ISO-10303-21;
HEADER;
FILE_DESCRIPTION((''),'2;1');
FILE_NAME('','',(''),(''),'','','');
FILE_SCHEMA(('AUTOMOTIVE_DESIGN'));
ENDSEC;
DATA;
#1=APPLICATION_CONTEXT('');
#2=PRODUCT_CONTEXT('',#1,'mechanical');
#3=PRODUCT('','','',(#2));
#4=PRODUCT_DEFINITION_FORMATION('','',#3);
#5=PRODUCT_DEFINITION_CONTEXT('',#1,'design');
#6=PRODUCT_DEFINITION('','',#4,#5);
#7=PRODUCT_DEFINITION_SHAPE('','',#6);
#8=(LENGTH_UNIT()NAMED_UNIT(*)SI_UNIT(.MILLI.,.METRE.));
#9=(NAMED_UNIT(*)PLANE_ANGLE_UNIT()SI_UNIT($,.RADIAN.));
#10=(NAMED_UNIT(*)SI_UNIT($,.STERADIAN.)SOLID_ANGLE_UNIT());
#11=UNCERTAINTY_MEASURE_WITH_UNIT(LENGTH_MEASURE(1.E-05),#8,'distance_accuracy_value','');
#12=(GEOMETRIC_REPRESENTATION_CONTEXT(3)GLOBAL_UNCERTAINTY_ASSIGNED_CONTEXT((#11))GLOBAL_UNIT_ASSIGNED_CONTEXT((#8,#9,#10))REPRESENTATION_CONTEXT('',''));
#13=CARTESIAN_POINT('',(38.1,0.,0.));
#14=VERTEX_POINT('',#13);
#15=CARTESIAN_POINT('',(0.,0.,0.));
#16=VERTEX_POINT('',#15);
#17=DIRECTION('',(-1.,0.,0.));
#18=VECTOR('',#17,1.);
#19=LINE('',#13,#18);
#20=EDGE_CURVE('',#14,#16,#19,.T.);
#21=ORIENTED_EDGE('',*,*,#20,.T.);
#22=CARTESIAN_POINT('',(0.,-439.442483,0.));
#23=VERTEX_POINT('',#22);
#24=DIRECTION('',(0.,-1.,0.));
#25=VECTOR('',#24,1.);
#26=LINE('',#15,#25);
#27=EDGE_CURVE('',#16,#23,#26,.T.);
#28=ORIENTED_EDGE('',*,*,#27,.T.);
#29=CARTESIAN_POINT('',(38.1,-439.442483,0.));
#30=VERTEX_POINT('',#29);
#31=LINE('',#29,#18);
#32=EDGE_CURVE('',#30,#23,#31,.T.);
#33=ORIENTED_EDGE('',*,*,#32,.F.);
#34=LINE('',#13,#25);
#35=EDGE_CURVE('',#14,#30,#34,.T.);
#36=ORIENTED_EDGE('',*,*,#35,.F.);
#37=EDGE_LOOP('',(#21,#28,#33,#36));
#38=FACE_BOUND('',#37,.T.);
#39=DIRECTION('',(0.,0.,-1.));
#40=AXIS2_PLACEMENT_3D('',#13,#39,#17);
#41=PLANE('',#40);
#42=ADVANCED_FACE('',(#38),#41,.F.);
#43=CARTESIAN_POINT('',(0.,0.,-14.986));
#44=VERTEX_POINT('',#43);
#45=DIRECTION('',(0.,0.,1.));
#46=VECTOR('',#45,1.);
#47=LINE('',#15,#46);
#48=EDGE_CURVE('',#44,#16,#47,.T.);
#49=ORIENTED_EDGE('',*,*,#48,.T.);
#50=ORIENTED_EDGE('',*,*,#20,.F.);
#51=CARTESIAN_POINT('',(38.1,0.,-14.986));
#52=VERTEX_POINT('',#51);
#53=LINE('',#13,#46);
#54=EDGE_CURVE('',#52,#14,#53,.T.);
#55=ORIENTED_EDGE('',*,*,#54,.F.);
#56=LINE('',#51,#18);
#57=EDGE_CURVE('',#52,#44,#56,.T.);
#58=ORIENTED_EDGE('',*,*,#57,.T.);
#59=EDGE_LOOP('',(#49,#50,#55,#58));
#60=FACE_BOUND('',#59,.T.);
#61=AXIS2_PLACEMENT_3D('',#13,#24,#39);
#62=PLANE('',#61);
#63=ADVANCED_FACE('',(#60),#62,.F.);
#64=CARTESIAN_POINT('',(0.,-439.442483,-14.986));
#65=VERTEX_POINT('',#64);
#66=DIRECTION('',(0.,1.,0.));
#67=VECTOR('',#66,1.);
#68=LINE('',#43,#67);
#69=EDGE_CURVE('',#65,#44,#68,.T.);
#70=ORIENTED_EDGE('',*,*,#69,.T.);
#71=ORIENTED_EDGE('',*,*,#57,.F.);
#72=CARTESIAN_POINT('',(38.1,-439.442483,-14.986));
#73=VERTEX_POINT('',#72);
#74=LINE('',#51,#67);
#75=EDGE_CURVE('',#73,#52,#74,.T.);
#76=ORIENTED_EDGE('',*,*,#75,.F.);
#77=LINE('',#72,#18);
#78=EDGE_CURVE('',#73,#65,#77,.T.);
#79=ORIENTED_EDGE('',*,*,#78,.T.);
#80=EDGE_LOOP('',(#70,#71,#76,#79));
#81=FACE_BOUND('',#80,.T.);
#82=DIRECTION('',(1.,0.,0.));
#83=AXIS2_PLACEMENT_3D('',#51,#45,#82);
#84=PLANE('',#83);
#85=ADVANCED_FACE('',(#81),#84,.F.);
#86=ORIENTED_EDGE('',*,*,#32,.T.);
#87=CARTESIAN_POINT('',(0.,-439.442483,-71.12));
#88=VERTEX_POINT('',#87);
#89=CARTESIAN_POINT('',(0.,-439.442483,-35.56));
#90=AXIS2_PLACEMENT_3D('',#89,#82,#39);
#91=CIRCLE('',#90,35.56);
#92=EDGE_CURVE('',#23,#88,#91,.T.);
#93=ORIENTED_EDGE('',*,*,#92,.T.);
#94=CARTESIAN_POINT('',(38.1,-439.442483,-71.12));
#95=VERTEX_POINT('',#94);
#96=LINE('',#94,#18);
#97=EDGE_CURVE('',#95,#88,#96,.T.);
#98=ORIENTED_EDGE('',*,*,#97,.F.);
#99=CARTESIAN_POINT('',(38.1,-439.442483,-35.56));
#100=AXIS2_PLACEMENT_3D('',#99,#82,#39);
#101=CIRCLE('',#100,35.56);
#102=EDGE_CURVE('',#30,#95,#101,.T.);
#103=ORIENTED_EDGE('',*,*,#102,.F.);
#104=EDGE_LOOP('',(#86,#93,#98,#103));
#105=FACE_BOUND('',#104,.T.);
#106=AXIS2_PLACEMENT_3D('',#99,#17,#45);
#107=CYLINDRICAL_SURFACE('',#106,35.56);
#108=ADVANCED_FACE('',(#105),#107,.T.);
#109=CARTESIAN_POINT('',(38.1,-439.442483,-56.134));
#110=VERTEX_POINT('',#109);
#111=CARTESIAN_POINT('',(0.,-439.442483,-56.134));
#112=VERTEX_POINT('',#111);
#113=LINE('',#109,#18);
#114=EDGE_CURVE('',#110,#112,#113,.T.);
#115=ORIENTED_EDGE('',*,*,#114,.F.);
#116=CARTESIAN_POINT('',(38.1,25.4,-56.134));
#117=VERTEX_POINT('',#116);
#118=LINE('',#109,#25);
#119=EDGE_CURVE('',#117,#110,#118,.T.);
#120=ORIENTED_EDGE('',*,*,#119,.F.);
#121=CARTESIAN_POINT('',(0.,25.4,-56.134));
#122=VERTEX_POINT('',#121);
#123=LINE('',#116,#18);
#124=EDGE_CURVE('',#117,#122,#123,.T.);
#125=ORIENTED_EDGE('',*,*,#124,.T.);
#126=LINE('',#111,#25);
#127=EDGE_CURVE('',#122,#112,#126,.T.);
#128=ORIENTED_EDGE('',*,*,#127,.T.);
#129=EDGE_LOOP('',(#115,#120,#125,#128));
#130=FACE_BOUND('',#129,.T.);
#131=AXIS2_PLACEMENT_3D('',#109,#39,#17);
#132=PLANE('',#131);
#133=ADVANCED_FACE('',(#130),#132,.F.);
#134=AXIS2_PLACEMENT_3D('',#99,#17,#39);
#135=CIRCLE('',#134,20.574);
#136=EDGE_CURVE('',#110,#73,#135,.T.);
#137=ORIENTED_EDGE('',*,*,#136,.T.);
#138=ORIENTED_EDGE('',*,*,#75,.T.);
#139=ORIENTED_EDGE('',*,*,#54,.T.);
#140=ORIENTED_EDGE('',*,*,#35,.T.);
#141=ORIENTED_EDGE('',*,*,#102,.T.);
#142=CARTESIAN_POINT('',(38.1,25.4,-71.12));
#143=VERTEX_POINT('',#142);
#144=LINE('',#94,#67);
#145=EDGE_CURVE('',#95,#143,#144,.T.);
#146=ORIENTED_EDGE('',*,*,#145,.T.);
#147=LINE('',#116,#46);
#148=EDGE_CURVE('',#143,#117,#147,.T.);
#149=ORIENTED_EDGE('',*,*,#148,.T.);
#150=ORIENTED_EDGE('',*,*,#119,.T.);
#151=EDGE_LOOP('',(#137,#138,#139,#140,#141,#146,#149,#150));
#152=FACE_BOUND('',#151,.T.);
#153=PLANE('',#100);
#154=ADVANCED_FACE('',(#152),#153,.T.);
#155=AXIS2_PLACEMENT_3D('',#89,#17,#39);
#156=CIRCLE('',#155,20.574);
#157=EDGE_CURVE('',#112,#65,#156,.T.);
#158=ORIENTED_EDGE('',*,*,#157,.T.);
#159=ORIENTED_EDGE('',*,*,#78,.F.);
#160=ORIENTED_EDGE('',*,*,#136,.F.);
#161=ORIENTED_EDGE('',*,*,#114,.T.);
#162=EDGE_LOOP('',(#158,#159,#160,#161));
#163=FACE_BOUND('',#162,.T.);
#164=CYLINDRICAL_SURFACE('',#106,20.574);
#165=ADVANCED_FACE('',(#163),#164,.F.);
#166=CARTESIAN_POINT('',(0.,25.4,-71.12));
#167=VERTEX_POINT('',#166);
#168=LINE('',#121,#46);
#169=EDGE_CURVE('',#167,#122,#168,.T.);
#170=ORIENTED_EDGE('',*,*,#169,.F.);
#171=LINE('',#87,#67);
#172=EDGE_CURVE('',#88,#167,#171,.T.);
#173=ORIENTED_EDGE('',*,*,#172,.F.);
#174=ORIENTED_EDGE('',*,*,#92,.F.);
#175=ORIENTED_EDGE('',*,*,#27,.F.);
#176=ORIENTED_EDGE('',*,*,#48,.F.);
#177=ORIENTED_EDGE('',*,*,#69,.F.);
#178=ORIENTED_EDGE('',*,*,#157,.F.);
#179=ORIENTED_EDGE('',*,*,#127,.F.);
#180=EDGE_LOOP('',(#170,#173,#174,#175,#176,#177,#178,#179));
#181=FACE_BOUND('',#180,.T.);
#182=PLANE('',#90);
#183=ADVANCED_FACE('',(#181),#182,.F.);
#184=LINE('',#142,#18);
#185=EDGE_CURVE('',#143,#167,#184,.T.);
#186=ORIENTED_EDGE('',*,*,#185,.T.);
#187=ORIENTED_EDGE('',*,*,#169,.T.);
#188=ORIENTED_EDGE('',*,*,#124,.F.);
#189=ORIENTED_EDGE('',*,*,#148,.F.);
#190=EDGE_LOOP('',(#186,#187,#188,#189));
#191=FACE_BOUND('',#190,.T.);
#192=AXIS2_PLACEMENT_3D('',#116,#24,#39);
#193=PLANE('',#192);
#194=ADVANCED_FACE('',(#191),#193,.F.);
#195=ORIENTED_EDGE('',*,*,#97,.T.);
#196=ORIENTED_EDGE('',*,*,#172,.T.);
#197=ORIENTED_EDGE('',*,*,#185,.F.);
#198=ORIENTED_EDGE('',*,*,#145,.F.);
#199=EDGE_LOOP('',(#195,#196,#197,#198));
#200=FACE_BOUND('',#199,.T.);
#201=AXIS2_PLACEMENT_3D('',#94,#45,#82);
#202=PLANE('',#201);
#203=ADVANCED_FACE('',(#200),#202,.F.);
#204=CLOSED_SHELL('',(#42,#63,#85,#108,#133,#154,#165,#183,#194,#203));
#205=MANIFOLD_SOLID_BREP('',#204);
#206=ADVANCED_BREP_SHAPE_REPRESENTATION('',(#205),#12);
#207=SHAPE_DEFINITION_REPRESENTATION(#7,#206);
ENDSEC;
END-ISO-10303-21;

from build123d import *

# Parameters (mm, degrees)
BOSS_EXTRUDE1_DEPTH = 38.1


with BuildPart() as part:
    # Sketch1 → Boss-Extrude1 (new body)
    with BuildSketch(Plane(origin=(0, 0, 0), x_dir=(0, 0, -1), z_dir=(1, 0, 0))):
        with BuildLine():
            Line((0, 0), (0, -439.442482619))
            ThreePointArc((0, -439.442482619), (35.56, -475.002482619), (71.12, -439.442482619))
            Line((71.12, -439.442482619), (71.12, 25.4))
            Line((71.12, 25.4), (56.134, 25.4))
            Line((56.134, 25.4), (56.134, -439.442482619))
            ThreePointArc((56.134, -439.442482619), (35.56, -460.016482619), (14.986, -439.442482619))
            Line((14.986, -439.442482619), (14.986, 0))
            Line((14.986, 0), (0, 0))
        make_face()
    extrude(amount=BOSS_EXTRUDE1_DEPTH)


solid = part.part
